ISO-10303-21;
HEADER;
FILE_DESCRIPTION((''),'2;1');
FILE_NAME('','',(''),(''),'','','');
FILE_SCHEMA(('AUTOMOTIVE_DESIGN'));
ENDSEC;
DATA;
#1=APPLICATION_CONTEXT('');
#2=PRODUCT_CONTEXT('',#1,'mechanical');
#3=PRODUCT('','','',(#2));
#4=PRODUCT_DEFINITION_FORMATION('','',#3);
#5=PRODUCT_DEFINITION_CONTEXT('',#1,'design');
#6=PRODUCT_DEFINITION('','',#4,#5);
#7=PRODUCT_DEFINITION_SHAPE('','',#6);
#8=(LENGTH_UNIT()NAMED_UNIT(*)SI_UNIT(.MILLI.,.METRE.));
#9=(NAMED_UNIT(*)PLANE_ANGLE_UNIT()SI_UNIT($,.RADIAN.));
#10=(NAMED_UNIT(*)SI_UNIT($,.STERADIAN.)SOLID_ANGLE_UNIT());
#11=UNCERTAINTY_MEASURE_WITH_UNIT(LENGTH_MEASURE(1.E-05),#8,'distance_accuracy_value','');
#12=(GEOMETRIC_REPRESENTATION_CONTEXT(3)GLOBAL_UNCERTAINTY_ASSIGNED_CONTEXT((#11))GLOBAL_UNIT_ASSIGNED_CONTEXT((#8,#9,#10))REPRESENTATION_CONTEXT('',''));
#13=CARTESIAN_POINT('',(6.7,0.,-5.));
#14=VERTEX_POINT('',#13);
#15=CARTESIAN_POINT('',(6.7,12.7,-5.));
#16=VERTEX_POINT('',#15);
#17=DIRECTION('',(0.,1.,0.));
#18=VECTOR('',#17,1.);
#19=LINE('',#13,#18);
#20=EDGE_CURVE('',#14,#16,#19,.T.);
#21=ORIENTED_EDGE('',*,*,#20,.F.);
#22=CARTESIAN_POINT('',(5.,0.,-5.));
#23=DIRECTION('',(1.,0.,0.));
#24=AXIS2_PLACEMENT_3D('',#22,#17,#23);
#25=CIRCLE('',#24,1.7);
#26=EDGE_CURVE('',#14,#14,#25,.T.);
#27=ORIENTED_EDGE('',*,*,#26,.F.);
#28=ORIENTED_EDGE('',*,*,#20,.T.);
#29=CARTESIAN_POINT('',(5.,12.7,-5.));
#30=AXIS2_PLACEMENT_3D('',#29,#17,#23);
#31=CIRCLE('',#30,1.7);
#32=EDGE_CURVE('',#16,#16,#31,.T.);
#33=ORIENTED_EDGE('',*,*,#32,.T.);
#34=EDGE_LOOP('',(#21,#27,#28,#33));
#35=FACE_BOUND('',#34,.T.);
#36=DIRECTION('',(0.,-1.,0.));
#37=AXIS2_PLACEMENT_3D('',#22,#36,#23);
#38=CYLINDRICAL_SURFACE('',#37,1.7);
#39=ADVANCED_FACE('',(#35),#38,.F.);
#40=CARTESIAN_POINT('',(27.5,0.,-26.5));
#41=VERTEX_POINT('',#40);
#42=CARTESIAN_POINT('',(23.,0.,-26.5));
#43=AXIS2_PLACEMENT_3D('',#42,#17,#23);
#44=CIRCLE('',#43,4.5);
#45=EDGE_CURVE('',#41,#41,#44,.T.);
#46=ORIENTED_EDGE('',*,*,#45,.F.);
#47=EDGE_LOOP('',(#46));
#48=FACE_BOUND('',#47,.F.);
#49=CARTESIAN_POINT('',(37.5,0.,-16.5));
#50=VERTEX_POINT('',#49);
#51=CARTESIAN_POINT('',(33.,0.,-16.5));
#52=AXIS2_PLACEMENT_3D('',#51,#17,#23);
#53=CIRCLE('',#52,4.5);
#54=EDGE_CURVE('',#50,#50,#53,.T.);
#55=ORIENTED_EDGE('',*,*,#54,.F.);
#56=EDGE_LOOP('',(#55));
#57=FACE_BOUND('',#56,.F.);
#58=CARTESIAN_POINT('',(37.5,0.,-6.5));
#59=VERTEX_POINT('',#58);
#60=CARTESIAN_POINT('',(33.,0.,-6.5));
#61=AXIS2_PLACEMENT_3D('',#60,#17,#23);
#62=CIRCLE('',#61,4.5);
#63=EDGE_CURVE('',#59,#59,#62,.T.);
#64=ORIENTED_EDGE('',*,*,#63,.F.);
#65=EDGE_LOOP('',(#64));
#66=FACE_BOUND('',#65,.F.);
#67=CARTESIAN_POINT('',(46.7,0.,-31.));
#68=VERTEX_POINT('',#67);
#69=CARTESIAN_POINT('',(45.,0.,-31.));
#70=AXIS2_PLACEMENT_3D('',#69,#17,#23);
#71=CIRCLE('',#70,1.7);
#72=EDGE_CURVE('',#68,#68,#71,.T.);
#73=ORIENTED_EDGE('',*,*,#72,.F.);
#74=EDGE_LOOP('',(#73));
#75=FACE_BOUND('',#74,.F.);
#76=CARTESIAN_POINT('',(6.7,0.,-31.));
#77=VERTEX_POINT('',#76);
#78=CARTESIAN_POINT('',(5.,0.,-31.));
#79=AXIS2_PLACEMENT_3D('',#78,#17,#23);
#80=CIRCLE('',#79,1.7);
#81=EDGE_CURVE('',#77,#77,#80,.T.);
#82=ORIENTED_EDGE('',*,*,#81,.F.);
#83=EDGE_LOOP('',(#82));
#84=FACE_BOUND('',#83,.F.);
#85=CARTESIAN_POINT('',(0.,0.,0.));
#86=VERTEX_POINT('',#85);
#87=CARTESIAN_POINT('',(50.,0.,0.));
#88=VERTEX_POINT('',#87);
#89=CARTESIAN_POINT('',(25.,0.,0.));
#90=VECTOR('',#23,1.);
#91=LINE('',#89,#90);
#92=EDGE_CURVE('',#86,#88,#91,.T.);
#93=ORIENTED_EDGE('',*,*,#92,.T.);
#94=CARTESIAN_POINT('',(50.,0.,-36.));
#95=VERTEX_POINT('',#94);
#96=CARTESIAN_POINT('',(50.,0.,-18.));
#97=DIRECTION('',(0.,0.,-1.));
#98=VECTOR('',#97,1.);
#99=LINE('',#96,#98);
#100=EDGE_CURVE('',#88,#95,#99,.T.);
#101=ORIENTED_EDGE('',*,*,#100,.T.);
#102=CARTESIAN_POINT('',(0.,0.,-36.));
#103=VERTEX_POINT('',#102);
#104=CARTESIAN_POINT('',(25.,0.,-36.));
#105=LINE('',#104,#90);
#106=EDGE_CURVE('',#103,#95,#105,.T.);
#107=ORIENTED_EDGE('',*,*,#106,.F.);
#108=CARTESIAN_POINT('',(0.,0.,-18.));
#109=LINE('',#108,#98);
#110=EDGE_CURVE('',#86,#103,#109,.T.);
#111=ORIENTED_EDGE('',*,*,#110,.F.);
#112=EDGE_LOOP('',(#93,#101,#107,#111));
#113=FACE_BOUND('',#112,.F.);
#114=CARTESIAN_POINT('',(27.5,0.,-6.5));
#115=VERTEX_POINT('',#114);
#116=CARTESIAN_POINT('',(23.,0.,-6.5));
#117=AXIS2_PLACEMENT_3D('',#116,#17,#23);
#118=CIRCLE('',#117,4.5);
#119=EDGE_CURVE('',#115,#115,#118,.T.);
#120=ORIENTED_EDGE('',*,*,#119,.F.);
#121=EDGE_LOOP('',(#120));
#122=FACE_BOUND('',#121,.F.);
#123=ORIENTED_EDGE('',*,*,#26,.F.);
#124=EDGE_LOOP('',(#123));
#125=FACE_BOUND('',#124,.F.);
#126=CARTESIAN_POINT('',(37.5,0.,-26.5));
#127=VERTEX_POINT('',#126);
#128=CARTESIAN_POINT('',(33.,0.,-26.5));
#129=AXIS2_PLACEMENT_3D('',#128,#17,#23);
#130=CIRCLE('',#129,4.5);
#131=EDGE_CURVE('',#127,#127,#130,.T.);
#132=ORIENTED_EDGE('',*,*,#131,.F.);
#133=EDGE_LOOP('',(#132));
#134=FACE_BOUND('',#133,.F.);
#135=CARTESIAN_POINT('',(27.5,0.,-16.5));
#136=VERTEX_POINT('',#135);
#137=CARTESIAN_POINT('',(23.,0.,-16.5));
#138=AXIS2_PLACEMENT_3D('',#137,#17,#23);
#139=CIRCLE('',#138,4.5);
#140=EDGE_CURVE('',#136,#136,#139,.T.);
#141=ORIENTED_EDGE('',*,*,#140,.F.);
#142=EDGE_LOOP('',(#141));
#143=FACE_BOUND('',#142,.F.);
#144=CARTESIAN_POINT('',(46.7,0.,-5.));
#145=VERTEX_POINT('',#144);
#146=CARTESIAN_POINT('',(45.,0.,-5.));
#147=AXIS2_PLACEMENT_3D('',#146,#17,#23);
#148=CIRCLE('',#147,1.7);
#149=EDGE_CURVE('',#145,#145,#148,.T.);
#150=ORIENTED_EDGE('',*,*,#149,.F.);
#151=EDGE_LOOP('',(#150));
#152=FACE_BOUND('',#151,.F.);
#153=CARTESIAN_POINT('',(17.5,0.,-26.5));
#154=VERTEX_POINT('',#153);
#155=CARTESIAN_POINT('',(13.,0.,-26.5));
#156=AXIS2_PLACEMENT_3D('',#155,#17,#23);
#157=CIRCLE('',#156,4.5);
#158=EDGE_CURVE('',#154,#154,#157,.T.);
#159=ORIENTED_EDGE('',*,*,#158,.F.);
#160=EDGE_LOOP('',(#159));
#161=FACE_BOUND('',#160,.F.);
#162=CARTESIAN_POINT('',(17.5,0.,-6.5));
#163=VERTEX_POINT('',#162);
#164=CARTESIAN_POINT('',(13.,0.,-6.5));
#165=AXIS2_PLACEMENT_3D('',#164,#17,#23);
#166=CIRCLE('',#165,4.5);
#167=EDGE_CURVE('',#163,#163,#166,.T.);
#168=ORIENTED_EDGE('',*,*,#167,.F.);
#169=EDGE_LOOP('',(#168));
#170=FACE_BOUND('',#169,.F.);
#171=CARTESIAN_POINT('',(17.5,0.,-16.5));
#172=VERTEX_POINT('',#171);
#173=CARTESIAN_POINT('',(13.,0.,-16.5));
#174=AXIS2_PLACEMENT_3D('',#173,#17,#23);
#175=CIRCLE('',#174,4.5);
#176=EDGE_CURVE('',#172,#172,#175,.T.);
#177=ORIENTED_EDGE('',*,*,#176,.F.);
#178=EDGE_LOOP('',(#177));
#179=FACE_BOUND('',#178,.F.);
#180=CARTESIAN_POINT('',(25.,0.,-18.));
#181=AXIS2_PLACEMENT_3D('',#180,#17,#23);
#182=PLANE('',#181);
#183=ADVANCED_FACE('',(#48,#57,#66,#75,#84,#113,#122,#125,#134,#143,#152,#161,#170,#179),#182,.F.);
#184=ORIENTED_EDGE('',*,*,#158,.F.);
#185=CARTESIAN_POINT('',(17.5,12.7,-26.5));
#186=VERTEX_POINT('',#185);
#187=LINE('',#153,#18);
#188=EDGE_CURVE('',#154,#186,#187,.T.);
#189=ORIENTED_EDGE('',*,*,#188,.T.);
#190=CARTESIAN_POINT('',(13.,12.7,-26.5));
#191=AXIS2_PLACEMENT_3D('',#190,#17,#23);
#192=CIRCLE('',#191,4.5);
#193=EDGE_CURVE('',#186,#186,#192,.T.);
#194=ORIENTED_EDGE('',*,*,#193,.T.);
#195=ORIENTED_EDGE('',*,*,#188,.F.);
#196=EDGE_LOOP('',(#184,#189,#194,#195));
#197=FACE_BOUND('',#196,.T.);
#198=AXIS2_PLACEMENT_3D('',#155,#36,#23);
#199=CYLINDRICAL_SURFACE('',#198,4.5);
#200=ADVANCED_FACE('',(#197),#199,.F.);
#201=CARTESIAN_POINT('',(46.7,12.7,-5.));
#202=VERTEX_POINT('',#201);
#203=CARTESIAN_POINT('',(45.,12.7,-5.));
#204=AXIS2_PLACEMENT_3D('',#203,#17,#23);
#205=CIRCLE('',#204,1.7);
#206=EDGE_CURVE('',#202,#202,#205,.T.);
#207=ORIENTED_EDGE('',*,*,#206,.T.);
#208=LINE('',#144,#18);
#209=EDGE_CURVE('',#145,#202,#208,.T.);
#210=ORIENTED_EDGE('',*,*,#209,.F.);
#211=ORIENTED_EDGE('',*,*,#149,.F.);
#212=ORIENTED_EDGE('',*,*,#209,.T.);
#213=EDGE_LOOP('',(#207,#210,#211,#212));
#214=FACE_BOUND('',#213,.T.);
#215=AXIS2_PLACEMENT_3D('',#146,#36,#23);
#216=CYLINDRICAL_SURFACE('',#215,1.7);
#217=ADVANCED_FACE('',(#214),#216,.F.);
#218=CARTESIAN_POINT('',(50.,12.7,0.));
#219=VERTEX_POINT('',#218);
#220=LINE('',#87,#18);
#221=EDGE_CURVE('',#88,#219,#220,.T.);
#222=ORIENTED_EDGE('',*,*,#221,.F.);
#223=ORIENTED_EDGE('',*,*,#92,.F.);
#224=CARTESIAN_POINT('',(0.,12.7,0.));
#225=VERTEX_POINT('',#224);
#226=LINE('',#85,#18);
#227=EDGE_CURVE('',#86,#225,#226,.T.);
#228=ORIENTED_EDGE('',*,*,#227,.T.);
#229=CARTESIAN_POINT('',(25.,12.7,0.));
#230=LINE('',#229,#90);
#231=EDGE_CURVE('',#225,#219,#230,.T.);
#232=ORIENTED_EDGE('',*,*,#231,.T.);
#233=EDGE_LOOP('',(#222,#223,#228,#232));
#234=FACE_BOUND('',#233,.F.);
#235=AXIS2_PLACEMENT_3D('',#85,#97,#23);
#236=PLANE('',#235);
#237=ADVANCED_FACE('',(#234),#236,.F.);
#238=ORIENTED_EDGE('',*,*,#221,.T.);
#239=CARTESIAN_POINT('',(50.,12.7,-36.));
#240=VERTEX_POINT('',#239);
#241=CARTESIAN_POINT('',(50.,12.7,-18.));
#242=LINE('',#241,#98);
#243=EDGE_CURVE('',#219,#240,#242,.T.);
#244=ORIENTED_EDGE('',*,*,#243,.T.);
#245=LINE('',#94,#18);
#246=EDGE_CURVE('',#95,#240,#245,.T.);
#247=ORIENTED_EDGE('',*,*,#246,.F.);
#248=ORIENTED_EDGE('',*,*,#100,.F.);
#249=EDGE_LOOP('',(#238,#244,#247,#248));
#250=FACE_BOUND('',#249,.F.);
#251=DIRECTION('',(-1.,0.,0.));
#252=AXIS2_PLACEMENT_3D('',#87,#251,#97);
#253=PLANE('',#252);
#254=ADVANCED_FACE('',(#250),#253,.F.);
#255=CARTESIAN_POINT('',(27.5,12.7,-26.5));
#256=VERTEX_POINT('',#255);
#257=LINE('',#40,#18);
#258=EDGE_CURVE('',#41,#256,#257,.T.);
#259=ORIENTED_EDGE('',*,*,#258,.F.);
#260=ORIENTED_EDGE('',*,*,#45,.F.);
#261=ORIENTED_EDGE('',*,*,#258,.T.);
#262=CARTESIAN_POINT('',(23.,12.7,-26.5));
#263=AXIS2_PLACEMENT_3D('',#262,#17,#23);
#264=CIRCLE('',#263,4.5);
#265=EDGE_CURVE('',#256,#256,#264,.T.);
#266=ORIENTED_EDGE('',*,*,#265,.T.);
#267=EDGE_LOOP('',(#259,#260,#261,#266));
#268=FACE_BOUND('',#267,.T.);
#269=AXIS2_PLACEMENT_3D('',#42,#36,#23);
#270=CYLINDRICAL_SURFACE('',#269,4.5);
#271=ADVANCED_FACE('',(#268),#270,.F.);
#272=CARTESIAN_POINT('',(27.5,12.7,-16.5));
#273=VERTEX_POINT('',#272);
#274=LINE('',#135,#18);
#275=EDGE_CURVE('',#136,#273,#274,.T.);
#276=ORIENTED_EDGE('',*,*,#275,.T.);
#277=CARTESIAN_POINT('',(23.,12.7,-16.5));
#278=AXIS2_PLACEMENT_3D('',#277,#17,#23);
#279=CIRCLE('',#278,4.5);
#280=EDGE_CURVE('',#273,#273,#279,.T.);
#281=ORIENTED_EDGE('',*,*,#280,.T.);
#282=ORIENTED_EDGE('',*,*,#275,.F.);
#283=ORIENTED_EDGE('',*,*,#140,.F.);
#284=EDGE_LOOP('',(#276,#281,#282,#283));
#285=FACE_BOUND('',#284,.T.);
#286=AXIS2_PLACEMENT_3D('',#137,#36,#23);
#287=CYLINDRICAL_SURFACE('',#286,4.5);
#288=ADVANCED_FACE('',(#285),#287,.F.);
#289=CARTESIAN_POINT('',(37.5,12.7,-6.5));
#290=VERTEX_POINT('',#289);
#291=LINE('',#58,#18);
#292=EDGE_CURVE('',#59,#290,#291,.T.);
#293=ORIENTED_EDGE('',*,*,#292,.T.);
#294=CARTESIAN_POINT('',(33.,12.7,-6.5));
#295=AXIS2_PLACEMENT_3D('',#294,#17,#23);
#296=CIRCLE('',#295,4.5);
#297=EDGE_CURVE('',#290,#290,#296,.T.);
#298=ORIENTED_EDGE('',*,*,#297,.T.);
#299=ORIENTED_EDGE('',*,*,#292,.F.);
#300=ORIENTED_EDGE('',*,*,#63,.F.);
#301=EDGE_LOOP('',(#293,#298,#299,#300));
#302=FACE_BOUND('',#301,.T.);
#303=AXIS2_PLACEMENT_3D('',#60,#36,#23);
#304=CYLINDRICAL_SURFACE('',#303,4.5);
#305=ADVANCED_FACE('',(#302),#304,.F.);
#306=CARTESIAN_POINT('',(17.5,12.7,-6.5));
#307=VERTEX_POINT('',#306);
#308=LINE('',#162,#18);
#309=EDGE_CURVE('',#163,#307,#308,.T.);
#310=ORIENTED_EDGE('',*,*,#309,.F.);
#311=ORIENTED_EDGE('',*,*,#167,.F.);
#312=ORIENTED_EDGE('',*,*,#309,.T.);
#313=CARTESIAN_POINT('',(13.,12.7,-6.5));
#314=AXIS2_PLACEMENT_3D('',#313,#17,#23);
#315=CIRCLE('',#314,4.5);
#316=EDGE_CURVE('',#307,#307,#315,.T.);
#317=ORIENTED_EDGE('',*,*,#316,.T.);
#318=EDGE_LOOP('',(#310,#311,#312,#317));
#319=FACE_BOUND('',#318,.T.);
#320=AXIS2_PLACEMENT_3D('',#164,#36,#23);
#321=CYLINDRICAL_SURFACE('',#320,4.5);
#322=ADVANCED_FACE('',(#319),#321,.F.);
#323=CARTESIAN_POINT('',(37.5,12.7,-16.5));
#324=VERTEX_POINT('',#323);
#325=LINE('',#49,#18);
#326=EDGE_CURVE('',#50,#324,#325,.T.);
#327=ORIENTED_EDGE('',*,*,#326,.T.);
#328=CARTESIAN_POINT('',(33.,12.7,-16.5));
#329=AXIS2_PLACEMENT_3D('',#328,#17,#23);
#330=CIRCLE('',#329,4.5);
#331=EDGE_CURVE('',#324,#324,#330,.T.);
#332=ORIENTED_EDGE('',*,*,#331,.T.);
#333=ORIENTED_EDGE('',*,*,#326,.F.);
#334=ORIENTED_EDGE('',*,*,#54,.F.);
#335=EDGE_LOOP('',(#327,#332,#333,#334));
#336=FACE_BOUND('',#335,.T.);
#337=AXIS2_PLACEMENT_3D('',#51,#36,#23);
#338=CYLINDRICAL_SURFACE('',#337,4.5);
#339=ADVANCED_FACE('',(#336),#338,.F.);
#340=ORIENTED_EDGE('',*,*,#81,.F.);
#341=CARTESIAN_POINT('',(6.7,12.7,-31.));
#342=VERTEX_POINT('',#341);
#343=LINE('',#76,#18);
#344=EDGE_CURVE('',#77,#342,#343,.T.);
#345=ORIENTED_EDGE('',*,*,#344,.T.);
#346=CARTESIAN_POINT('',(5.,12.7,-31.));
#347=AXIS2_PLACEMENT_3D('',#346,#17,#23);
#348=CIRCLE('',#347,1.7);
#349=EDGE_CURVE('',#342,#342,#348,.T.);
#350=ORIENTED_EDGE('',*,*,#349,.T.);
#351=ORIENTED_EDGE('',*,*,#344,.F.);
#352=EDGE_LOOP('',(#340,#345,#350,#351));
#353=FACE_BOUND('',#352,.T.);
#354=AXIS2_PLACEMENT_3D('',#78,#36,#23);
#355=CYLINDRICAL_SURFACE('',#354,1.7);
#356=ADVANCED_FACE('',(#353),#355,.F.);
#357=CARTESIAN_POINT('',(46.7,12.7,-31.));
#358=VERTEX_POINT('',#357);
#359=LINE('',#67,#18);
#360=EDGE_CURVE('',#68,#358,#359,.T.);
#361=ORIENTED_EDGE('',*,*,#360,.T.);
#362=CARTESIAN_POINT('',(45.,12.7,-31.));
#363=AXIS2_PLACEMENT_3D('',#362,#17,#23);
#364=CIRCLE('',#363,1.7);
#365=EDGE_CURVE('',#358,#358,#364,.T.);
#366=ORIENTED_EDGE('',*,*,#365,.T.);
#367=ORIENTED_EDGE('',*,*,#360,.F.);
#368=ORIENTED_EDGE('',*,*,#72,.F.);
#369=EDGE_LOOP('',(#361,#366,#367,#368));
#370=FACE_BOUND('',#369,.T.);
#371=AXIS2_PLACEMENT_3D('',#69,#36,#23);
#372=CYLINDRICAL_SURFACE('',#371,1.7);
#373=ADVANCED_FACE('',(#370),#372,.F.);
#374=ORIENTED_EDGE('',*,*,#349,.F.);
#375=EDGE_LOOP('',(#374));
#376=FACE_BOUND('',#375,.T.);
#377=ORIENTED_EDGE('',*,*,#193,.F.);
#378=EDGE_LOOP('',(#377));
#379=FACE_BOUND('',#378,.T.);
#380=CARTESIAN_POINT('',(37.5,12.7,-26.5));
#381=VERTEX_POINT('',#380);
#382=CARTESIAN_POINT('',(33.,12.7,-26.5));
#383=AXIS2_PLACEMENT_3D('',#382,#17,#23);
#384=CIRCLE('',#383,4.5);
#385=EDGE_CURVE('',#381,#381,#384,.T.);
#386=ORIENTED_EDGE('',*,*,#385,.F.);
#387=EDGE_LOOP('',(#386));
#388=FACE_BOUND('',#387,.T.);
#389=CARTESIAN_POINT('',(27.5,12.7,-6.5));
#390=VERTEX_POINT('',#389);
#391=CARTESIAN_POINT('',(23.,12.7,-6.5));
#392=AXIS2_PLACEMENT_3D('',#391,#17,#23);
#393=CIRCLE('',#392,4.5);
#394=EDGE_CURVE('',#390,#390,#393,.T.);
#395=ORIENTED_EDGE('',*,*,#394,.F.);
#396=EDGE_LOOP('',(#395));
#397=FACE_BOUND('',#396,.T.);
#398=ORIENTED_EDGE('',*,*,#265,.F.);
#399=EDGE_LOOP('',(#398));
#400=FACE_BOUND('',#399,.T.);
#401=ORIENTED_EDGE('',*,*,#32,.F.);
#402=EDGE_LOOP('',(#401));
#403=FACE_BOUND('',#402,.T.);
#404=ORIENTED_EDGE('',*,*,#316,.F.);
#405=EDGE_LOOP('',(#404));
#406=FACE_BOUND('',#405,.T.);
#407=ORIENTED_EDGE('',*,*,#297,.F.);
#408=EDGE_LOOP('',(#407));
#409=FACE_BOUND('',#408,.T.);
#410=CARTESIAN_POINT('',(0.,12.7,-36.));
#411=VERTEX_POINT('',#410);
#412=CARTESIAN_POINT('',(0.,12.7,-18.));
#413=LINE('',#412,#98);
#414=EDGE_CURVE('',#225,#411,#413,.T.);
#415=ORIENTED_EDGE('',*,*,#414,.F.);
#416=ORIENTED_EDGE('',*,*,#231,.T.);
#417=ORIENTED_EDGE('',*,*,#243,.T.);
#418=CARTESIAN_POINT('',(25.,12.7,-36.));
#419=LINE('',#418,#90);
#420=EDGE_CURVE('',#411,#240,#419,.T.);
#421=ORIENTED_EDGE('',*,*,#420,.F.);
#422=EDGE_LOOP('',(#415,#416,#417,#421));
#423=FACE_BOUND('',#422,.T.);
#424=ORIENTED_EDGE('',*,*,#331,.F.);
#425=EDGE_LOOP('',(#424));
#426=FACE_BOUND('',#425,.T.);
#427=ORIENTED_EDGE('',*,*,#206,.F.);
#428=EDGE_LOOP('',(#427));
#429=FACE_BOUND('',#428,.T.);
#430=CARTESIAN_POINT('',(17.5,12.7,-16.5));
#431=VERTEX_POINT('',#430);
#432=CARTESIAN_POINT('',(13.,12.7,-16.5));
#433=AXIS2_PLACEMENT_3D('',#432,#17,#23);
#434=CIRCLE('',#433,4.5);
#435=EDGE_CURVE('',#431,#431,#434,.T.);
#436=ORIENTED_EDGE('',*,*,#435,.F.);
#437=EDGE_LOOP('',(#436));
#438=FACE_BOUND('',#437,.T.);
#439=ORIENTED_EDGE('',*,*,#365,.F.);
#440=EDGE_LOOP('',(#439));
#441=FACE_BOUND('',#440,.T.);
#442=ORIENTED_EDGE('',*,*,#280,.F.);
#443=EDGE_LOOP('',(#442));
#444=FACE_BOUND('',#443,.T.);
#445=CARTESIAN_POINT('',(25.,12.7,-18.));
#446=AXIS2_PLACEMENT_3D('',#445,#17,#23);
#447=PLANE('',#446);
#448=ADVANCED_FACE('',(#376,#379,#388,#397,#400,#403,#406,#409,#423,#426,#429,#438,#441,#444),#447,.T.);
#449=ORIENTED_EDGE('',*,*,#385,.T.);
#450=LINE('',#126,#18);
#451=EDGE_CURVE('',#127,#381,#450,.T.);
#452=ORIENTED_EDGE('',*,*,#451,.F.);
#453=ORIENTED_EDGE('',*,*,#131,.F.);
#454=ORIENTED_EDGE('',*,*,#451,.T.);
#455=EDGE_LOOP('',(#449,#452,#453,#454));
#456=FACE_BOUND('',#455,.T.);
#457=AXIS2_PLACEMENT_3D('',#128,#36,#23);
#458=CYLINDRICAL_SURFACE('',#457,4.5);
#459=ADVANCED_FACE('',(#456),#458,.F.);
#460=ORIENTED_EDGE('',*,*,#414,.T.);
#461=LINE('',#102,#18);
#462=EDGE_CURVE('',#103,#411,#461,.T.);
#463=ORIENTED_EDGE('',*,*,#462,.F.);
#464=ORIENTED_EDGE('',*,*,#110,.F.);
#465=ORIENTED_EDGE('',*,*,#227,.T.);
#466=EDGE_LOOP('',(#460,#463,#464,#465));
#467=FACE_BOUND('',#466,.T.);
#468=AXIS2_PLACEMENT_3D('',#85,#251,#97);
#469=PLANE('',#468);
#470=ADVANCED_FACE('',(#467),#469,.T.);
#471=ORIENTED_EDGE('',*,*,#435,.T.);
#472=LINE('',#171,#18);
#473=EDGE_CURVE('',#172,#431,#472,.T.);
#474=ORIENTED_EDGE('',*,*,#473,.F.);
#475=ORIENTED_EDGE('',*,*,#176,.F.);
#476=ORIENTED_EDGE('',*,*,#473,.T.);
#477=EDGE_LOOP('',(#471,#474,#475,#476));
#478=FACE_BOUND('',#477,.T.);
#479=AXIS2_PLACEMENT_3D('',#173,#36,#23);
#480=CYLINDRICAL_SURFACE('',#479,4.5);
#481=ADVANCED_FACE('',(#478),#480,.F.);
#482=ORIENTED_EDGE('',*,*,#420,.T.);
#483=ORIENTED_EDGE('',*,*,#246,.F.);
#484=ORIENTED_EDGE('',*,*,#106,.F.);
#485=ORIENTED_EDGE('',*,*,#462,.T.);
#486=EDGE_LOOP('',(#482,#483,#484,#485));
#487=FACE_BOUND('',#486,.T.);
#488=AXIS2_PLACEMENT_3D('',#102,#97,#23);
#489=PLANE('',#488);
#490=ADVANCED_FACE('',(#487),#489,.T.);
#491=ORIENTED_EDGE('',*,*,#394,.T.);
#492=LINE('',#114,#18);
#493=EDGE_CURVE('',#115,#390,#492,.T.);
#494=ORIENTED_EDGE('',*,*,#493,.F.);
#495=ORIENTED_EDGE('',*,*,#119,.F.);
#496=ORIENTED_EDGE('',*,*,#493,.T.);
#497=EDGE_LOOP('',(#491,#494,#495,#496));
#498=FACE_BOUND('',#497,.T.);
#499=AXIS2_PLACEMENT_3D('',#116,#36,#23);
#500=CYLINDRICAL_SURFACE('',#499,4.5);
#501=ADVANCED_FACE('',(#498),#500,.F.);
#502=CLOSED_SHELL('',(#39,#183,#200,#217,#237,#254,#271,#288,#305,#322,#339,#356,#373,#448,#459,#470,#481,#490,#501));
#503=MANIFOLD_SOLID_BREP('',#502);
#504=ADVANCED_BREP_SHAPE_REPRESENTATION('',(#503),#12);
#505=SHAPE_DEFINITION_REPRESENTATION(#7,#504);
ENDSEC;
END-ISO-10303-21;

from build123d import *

# Parameters (mm, degrees)
SKETCH1_W           = 50
SKETCH1_H           = 36
SKETCH1_R           = 4.5
SKETCH1_R_2         = 1.7
BOSS_EXTRUDE1_DEPTH = 12.7


with BuildPart() as part:
    # Sketch1 → Boss-Extrude1 (new body)
    with BuildSketch(Plane(origin=(0, 0, 0), x_dir=(1, 0, 0), z_dir=(0, 1, 0))):
        with Locations((25, 18)):
            Rectangle(SKETCH1_W, SKETCH1_H)
        with Locations((13, 6.5)):
            Circle(SKETCH1_R, mode=Mode.SUBTRACT)
        with Locations((5, 5)):
            Circle(SKETCH1_R_2, mode=Mode.SUBTRACT)
        with Locations((5, 31)):
            Circle(SKETCH1_R_2, mode=Mode.SUBTRACT)
        with Locations((45, 31)):
            Circle(SKETCH1_R_2, mode=Mode.SUBTRACT)
        with Locations((45, 5)):
            Circle(SKETCH1_R_2, mode=Mode.SUBTRACT)
        with Locations((23, 6.5)):
            Circle(SKETCH1_R, mode=Mode.SUBTRACT)
        with Locations((33, 6.5)):
            Circle(SKETCH1_R, mode=Mode.SUBTRACT)
        with Locations((23, 16.5)):
            Circle(SKETCH1_R, mode=Mode.SUBTRACT)
        with Locations((33, 16.5)):
            Circle(SKETCH1_R, mode=Mode.SUBTRACT)
        with Locations((23, 26.5)):
            Circle(SKETCH1_R, mode=Mode.SUBTRACT)
        with Locations((33, 26.5)):
            Circle(SKETCH1_R, mode=Mode.SUBTRACT)
        with Locations((13, 16.5)):
            Circle(SKETCH1_R, mode=Mode.SUBTRACT)
        with Locations((13, 26.5)):
            Circle(SKETCH1_R, mode=Mode.SUBTRACT)
    extrude(amount=BOSS_EXTRUDE1_DEPTH)


solid = part.part
